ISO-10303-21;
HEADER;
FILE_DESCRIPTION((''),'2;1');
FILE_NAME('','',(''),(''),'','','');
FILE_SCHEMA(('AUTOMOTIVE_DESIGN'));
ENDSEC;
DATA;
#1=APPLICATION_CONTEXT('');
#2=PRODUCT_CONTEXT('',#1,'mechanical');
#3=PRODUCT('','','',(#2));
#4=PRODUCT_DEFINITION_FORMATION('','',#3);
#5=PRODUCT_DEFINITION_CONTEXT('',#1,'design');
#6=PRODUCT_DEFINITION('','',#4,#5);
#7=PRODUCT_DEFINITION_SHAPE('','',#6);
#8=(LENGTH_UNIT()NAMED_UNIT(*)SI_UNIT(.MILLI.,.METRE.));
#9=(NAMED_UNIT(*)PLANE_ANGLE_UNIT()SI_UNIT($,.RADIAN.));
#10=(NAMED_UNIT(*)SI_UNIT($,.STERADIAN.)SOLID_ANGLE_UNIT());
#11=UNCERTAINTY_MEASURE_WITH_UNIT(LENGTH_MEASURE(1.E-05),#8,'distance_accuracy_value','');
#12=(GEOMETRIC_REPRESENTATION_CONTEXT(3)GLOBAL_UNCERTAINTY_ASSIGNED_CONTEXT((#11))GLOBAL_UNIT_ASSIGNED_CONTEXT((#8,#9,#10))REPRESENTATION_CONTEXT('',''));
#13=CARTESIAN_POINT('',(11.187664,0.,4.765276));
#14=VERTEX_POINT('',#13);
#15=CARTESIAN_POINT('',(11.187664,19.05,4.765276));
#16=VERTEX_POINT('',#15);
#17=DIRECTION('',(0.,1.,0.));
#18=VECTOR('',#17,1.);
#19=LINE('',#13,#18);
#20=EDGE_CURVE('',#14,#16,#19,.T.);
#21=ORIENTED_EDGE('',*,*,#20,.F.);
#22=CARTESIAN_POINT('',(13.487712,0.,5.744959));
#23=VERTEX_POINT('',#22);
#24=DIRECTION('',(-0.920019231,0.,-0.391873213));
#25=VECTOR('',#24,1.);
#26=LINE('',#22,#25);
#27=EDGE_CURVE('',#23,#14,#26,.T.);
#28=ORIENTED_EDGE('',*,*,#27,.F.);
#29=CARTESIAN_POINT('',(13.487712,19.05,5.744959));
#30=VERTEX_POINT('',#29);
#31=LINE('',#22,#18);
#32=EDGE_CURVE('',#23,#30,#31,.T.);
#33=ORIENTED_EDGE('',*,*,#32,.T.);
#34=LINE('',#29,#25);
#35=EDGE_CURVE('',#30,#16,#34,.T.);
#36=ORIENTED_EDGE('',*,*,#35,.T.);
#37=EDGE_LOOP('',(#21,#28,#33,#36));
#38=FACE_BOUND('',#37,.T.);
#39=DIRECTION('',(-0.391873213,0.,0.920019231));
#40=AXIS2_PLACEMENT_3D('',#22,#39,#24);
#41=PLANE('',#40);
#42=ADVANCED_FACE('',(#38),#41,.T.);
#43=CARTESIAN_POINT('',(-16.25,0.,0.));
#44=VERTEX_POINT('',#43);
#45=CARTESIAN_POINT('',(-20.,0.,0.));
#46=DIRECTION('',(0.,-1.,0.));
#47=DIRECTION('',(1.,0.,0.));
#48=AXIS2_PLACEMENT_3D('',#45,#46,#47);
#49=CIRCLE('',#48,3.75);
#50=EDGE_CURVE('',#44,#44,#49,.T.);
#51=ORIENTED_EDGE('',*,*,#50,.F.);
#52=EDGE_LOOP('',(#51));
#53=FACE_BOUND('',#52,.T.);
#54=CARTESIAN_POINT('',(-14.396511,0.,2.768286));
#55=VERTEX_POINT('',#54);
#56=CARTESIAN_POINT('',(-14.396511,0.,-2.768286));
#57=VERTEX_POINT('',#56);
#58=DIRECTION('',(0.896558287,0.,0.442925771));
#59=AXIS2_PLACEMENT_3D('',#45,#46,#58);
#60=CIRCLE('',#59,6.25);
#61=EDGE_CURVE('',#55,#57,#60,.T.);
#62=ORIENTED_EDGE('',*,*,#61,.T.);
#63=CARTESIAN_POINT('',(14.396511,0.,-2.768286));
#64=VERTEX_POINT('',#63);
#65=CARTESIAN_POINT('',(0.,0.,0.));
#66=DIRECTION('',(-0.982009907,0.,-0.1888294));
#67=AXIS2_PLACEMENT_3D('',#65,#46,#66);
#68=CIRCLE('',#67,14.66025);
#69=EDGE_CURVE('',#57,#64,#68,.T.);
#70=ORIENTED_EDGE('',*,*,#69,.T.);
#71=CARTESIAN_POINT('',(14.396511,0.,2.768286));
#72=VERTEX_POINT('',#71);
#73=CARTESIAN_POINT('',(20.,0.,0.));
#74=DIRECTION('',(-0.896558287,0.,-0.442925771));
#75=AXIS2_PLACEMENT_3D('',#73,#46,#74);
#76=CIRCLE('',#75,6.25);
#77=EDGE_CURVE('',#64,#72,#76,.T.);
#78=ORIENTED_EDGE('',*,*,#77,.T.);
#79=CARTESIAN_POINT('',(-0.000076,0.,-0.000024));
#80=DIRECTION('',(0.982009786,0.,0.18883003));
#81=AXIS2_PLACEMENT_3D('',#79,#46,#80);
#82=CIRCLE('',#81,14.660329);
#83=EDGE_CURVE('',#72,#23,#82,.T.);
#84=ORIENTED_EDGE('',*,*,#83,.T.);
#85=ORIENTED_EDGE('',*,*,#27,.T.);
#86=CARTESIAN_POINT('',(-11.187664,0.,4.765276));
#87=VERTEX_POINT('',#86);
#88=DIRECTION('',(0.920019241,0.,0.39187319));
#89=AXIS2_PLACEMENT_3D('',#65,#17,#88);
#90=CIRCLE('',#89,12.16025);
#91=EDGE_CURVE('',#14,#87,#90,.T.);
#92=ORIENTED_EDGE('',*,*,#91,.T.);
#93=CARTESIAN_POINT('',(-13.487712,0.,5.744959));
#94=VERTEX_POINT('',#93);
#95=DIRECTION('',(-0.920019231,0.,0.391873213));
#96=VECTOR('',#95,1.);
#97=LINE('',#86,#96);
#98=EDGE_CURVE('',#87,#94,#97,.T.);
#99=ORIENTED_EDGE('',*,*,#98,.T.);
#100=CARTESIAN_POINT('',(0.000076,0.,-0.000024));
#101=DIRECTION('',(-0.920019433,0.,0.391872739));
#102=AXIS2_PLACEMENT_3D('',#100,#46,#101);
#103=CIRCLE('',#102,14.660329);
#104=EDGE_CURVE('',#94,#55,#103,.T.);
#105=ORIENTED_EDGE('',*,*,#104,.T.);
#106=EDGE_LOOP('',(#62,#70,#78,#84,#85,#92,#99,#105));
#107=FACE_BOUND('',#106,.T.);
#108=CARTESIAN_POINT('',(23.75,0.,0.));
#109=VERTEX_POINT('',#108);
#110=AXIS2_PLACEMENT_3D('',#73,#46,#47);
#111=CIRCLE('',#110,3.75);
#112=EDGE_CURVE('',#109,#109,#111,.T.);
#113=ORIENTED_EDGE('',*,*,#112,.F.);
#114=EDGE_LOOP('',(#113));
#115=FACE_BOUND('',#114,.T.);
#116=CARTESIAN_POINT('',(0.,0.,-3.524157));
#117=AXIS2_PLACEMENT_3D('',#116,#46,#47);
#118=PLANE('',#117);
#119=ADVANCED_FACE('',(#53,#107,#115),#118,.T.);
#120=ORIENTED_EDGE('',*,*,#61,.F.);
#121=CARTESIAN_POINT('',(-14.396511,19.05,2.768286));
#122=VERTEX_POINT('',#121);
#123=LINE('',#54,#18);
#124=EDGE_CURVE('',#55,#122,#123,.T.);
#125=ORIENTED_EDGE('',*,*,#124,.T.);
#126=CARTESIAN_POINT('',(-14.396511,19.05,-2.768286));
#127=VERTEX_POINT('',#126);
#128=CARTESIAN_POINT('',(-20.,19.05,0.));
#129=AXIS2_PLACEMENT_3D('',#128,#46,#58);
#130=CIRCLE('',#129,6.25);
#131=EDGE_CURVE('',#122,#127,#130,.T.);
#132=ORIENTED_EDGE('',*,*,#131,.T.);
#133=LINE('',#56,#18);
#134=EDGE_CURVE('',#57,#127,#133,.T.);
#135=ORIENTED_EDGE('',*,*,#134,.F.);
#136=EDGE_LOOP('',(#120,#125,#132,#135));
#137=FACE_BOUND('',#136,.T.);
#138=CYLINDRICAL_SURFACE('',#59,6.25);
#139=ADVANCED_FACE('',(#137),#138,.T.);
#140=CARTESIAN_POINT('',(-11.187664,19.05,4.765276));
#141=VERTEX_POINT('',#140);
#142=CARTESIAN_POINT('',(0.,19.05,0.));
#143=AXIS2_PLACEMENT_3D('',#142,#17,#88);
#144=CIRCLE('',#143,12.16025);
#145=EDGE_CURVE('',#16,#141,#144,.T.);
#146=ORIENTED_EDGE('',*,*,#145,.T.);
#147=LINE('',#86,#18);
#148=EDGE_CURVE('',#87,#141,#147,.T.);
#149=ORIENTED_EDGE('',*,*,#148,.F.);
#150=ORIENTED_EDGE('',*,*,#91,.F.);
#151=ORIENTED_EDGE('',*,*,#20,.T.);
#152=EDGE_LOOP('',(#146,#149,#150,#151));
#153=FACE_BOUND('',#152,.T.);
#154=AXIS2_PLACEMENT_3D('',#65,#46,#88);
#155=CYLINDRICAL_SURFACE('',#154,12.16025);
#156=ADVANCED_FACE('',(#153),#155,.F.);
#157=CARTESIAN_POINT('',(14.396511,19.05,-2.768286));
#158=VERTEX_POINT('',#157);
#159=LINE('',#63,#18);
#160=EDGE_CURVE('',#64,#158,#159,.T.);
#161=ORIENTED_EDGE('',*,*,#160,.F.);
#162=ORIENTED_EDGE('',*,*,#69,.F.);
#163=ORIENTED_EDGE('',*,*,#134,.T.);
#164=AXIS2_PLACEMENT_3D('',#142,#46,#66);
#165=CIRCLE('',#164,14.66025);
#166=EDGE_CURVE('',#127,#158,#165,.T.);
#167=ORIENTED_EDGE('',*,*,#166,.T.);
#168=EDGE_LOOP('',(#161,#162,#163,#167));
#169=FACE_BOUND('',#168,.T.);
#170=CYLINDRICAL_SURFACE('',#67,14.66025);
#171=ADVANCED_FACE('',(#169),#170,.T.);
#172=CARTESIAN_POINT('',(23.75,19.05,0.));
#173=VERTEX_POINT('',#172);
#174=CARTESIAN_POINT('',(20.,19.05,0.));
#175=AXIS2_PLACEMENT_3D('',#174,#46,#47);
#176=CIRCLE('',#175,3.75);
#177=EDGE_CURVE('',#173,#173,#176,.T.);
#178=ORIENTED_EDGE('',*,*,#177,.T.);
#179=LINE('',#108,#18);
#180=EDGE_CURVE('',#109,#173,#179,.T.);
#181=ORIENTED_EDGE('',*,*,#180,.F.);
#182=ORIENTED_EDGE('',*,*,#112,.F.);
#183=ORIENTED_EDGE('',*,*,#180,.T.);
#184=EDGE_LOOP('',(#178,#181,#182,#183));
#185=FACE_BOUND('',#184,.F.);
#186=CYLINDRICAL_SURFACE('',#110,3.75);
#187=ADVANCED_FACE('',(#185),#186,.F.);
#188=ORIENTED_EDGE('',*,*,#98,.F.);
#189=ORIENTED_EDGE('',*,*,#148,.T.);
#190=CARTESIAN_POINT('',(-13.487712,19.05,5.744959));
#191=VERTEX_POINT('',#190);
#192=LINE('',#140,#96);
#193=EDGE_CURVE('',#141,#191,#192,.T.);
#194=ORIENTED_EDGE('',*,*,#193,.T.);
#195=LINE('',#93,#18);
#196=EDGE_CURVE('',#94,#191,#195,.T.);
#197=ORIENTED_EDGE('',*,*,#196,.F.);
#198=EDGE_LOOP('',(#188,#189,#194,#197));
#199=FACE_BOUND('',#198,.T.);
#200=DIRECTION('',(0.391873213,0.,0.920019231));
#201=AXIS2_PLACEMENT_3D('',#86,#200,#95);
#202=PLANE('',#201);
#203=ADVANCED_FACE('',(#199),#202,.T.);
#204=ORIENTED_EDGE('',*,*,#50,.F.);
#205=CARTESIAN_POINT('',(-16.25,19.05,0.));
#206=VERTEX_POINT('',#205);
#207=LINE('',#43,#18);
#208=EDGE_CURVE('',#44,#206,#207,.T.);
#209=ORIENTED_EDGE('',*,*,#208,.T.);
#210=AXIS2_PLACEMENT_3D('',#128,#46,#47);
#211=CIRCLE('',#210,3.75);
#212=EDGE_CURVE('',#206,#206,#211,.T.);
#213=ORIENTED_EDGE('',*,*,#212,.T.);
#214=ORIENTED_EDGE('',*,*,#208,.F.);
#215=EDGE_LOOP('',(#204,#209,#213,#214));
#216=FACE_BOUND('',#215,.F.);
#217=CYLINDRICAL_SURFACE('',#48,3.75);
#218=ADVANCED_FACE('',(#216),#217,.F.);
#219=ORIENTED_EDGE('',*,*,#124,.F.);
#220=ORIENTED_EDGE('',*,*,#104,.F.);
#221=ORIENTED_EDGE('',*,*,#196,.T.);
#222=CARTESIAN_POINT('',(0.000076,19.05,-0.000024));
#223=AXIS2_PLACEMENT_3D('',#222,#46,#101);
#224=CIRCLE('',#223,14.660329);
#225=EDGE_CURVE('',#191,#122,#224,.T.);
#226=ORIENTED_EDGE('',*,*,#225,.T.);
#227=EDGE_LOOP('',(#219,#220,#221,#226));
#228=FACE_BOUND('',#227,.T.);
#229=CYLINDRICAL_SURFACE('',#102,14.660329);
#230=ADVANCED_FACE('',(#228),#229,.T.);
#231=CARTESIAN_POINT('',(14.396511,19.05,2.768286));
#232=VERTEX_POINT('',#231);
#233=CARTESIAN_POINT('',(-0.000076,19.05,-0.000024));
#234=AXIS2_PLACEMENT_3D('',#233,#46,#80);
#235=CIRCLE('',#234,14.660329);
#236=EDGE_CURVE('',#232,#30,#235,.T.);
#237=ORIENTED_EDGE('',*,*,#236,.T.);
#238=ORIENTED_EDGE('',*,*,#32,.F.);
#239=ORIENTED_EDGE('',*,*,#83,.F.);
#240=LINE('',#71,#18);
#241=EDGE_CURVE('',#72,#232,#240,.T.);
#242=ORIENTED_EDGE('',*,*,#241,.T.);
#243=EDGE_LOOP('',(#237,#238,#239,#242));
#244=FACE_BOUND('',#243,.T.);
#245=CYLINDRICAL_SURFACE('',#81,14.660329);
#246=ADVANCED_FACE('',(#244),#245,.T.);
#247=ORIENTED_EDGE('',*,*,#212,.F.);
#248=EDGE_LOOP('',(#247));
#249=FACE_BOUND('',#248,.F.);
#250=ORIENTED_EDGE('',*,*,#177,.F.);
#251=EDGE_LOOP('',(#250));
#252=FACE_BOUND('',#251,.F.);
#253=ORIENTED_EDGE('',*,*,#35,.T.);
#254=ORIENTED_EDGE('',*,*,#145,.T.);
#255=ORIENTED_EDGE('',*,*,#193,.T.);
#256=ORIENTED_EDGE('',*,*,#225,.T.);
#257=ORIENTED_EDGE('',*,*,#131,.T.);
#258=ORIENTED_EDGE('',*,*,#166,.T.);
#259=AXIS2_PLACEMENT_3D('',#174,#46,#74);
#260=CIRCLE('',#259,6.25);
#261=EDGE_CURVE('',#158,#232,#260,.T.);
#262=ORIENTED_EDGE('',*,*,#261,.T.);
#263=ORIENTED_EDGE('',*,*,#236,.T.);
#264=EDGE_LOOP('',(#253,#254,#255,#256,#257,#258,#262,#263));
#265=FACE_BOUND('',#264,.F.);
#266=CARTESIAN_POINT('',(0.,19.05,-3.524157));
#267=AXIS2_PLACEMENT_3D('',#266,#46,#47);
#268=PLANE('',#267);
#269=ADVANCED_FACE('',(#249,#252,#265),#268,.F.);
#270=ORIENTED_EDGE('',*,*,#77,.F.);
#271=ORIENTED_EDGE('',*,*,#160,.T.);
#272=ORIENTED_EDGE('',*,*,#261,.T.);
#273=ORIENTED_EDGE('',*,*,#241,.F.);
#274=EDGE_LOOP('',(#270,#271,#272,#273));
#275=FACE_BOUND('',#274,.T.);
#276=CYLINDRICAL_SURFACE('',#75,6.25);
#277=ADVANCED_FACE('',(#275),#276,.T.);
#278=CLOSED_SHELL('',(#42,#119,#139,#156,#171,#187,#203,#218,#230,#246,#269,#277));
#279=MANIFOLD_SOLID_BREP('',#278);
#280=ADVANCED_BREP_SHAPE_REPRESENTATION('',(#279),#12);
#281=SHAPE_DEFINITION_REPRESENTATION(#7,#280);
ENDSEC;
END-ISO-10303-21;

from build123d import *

# Parameters (mm, degrees)
F0_R     = 3.75
F1_DEPTH = 19.05


with BuildPart() as f1:
    # F0 (on Front) → F1 (new body)
    with BuildSketch(Plane.XZ):
        with BuildLine():
            ThreePointArc((11.187664, 4.765276), (0, -12.16025), (-11.187664, 4.765276))
            Line((-11.187664, 4.765276), (-13.487712, 5.744959))
            ThreePointArc((-13.487712, 5.744959), (-14.021327, 4.280807), (-14.396511, 2.768286))
            ThreePointArc((-14.396511, 2.768286), (-26.25, 0), (-14.396511, -2.768286))
            ThreePointArc((-14.396511, -2.768286), (0, -14.66025), (14.396511, -2.768286))
            ThreePointArc((14.396511, -2.768286), (26.25, 0), (14.396511, 2.768286))
            ThreePointArc((14.396511, 2.768286), (14.021327, 4.280807), (13.487712, 5.744959))
            Line((13.487712, 5.744959), (11.187664, 4.765276))
        make_face()
        with Locations((-20, 0)):
            Circle(F0_R, mode=Mode.SUBTRACT)
        with Locations((20, 0)):
            Circle(F0_R, mode=Mode.SUBTRACT)
    extrude(amount=-F1_DEPTH)


solid = f1.part
